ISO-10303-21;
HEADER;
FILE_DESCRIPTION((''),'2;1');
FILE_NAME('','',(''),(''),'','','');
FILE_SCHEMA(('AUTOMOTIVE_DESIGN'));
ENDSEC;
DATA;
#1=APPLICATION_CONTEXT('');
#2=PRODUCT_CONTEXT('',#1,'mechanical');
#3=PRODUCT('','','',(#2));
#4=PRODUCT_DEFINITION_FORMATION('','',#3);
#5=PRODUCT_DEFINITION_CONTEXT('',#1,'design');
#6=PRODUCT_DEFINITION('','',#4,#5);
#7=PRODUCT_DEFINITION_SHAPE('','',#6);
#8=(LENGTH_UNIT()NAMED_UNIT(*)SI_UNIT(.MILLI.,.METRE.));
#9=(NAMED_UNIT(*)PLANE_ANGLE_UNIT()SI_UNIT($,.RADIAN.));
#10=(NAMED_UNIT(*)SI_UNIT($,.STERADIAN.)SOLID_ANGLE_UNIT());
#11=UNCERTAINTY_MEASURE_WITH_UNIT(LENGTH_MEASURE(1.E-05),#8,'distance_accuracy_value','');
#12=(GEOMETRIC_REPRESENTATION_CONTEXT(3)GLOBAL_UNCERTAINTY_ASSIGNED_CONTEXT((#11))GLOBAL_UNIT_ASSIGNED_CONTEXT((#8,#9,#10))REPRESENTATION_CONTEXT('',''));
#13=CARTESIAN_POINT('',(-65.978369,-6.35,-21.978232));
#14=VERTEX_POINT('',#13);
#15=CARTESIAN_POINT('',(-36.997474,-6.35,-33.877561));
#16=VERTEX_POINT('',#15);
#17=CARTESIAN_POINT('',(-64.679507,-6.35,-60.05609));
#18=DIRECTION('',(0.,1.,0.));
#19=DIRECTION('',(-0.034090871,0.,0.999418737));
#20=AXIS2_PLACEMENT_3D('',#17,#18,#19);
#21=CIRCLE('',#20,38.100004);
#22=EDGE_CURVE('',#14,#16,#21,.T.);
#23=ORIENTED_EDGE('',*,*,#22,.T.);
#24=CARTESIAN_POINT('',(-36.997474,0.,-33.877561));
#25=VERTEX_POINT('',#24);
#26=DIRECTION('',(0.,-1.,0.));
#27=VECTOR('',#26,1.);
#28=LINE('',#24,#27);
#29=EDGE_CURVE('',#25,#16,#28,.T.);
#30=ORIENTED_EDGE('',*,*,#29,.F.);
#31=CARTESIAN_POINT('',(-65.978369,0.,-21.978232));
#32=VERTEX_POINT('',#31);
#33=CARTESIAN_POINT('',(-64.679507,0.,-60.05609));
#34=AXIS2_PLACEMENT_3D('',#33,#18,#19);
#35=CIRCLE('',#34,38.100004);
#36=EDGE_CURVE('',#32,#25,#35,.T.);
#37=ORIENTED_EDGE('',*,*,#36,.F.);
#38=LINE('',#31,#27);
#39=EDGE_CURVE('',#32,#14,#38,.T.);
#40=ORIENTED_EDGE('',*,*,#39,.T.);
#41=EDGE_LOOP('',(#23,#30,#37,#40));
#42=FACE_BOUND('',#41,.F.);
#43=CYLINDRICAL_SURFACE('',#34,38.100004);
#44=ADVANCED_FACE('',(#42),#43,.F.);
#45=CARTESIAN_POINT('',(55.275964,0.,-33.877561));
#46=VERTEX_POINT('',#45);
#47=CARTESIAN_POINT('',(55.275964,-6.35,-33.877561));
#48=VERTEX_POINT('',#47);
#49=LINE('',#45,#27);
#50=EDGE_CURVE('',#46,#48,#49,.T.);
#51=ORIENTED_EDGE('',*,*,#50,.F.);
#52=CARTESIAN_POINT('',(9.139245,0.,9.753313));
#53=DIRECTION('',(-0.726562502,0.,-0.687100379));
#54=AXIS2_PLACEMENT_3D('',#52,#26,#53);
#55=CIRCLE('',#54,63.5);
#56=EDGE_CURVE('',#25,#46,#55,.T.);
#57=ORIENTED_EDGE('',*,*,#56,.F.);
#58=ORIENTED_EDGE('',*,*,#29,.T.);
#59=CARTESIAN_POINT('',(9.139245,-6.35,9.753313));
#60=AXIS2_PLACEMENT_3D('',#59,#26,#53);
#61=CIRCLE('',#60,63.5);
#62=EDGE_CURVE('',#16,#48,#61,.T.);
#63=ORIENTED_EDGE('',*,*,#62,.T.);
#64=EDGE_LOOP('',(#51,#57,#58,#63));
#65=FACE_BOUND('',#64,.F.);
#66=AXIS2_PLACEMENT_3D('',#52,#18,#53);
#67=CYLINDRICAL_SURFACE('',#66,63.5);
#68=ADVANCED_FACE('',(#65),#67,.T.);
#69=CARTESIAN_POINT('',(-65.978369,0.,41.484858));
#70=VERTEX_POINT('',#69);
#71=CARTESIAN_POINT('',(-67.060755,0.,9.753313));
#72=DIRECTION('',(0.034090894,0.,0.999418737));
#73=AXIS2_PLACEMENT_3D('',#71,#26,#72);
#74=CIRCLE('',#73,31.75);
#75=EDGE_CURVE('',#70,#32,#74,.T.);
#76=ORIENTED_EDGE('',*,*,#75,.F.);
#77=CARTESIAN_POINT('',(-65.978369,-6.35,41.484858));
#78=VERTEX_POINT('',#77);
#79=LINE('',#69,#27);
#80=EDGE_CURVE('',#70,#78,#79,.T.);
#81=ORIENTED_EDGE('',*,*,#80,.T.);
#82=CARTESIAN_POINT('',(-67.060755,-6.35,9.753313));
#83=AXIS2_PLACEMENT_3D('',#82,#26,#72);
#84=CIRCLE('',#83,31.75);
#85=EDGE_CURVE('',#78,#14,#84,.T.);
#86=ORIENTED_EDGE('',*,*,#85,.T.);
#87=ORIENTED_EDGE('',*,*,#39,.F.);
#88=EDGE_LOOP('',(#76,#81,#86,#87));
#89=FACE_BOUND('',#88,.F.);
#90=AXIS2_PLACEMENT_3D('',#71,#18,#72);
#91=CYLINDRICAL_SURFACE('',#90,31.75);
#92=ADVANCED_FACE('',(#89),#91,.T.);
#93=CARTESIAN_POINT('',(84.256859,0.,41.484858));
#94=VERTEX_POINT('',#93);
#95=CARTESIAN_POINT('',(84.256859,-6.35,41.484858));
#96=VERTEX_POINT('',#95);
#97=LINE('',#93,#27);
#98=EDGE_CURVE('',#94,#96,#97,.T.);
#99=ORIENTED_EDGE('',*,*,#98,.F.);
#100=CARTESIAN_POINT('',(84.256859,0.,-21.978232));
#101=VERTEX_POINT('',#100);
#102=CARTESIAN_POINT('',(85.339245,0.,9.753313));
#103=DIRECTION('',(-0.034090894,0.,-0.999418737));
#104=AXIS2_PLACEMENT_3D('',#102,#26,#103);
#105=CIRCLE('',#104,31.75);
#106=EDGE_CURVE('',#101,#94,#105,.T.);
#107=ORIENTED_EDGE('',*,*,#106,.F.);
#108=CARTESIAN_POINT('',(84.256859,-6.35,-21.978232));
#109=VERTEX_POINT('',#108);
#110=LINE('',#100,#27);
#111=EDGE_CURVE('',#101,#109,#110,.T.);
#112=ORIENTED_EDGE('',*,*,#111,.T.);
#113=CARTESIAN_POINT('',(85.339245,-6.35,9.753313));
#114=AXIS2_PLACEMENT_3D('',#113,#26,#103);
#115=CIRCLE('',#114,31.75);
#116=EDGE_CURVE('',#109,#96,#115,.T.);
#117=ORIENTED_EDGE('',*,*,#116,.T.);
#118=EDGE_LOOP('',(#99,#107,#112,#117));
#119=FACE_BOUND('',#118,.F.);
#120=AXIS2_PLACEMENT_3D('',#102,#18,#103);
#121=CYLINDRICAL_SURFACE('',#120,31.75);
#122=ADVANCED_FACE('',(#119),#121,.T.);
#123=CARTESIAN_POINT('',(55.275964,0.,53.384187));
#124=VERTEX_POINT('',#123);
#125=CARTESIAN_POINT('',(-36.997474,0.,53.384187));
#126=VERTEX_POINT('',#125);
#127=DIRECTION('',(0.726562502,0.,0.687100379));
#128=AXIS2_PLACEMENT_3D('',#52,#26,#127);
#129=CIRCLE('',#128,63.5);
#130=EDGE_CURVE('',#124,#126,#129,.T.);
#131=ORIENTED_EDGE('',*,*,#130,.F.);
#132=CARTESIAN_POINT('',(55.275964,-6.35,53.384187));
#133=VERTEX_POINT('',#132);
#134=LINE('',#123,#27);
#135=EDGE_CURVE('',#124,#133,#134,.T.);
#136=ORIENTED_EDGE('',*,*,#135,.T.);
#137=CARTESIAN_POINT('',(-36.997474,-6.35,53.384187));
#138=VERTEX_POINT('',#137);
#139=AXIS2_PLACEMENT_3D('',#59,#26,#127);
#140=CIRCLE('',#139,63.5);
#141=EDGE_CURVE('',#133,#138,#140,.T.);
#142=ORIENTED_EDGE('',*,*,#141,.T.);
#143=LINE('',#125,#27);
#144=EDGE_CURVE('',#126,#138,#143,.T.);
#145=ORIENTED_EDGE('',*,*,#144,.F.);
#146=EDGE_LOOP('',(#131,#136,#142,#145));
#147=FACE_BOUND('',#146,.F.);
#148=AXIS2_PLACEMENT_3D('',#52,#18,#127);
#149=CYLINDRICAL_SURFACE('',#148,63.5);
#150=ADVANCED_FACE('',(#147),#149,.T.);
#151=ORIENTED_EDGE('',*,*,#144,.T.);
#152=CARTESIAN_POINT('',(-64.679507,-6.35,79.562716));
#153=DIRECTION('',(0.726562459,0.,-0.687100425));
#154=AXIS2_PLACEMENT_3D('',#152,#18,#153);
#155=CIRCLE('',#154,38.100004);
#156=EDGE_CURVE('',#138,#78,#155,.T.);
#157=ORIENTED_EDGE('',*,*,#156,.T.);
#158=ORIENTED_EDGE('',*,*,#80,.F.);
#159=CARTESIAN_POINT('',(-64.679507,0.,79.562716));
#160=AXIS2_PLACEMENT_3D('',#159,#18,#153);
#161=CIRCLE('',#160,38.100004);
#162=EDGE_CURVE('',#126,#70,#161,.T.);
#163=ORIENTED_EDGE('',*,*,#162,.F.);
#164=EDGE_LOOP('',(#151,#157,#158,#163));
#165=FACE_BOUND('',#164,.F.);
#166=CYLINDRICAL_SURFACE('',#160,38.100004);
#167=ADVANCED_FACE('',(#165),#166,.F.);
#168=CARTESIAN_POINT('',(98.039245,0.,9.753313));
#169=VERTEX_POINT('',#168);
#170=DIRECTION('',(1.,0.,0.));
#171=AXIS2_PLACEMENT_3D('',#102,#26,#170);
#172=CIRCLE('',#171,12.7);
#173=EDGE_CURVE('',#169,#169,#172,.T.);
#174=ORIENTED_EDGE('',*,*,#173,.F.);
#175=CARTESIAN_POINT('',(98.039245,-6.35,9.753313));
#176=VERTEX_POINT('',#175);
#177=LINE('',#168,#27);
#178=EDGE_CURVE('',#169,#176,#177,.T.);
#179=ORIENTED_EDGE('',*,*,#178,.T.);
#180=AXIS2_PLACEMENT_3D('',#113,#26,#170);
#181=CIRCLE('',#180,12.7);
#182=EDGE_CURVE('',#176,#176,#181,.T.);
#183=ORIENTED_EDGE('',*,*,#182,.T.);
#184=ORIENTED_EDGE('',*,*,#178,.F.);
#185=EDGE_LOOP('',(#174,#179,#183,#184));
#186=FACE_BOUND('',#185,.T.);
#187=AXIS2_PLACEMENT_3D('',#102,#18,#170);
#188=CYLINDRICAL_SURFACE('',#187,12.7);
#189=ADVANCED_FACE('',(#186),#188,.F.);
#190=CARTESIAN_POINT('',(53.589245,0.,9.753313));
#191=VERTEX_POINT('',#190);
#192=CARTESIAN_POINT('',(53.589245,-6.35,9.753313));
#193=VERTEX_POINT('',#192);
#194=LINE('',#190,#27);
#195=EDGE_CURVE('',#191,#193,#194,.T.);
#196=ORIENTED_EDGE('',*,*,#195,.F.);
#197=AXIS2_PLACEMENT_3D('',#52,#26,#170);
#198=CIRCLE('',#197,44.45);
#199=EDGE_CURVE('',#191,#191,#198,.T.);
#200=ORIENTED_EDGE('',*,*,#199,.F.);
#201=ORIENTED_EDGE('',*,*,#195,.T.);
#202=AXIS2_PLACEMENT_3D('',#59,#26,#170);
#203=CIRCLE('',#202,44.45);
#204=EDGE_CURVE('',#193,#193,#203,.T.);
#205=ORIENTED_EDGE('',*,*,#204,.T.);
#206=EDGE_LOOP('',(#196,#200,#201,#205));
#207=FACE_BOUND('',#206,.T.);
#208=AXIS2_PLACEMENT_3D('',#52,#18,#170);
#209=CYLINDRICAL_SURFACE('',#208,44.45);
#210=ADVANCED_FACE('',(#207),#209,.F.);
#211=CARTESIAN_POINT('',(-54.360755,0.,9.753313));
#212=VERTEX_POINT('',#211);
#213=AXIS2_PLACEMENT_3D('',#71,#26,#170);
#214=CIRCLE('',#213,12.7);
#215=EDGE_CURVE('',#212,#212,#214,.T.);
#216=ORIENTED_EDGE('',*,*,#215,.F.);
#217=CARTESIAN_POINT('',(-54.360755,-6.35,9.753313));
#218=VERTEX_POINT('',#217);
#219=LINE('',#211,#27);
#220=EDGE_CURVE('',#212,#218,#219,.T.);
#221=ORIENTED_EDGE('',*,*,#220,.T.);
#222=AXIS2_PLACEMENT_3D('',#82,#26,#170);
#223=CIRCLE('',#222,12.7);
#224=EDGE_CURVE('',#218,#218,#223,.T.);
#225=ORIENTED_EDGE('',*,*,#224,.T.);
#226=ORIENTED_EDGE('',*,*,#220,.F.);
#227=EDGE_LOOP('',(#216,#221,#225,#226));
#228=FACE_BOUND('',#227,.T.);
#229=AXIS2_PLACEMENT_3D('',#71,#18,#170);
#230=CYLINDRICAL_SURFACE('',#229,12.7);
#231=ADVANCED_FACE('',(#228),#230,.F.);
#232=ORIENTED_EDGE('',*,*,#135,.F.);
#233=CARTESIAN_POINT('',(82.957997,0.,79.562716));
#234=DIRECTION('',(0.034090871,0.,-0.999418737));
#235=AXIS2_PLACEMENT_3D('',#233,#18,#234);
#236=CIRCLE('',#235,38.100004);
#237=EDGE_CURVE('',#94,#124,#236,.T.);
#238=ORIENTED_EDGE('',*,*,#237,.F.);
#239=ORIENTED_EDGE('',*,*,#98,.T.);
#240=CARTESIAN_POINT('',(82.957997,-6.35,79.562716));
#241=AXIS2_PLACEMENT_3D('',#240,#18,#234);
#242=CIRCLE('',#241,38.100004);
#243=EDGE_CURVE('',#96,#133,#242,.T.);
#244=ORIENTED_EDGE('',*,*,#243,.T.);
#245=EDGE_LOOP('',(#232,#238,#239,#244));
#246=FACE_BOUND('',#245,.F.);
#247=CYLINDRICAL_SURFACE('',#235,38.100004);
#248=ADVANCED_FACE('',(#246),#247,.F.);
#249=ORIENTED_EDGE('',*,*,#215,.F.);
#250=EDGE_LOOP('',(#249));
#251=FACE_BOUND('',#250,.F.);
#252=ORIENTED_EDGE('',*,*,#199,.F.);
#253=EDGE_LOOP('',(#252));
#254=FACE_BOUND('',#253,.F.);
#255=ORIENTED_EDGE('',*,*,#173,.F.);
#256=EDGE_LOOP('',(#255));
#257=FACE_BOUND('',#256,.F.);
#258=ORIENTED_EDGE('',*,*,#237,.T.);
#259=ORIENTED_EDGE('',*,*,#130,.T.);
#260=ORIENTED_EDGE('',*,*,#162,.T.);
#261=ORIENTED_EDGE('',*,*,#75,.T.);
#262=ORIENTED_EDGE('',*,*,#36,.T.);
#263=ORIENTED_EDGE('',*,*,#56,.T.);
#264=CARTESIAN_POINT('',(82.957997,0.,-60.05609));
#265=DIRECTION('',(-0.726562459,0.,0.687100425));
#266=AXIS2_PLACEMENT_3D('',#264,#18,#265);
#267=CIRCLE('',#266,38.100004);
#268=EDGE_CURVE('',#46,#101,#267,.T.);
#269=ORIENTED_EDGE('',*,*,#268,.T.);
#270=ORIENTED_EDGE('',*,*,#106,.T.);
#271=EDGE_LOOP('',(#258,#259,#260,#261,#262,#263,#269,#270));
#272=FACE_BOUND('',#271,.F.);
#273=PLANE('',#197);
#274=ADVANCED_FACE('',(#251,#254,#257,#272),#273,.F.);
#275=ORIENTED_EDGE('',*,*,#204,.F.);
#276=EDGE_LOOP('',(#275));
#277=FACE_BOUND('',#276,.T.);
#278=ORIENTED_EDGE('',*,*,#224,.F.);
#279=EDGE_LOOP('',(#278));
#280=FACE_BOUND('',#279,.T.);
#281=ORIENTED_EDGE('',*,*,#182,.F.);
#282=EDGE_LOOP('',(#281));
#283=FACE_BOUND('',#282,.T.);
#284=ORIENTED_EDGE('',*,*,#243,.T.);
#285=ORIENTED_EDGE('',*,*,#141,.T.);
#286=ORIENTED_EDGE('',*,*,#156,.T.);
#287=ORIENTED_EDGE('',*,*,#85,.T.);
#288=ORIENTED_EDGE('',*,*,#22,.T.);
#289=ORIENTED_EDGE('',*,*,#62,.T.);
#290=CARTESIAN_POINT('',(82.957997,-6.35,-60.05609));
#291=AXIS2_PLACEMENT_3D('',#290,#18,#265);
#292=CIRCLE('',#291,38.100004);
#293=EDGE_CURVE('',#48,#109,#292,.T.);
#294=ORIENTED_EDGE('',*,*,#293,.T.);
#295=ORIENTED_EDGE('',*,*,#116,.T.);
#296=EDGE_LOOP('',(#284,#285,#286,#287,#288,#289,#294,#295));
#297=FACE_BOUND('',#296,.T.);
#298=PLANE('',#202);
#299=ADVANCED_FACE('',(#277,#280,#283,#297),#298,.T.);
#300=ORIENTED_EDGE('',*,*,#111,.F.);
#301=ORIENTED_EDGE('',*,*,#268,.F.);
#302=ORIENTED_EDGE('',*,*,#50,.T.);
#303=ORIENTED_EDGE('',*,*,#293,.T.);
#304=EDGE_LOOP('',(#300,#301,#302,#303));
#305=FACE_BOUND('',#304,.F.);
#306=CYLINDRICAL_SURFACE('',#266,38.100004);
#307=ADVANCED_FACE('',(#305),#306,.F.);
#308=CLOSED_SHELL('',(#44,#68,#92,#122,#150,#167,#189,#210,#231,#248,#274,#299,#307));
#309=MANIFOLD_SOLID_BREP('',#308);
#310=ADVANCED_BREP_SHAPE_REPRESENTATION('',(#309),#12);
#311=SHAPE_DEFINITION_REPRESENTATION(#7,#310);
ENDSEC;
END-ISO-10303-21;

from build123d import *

# Parameters (mm, degrees)
F0_R     = 12.7
F0_R_2   = 44.45
F1_DEPTH = 6.35


with BuildPart() as f1:
    # F0 (on Front) → F1 (new body)
    with BuildSketch(Plane.XZ):
        with BuildLine():
            ThreePointArc((55.275964, -33.877561), (68.486769, -24.811319), (84.256859, -21.978232))
            ThreePointArc((84.256859, -21.978232), (117.089245, 9.753313), (84.256859, 41.484858))
            ThreePointArc((84.256859, 41.484858), (68.486769, 44.317945), (55.275964, 53.384187))
            ThreePointArc((55.275964, 53.384187), (9.139245, 73.253313), (-36.997474, 53.384187))
            ThreePointArc((-36.997474, 53.384187), (-50.208279, 44.317945), (-65.978369, 41.484858))
            ThreePointArc((-65.978369, 41.484858), (-98.810755, 9.753313), (-65.978369, -21.978232))
            ThreePointArc((-65.978369, -21.978232), (-50.208279, -24.811319), (-36.997474, -33.877561))
            ThreePointArc((-36.997474, -33.877561), (9.139245, -53.746687), (55.275964, -33.877561))
        make_face()
        with Locations((-67.060755, 9.753313)):
            Circle(F0_R, mode=Mode.SUBTRACT)
        with Locations((9.139245, 9.753313)):
            Circle(F0_R_2, mode=Mode.SUBTRACT)
        with Locations((85.339245, 9.753313)):
            Circle(F0_R, mode=Mode.SUBTRACT)
    extrude(amount=F1_DEPTH)


solid = f1.part
